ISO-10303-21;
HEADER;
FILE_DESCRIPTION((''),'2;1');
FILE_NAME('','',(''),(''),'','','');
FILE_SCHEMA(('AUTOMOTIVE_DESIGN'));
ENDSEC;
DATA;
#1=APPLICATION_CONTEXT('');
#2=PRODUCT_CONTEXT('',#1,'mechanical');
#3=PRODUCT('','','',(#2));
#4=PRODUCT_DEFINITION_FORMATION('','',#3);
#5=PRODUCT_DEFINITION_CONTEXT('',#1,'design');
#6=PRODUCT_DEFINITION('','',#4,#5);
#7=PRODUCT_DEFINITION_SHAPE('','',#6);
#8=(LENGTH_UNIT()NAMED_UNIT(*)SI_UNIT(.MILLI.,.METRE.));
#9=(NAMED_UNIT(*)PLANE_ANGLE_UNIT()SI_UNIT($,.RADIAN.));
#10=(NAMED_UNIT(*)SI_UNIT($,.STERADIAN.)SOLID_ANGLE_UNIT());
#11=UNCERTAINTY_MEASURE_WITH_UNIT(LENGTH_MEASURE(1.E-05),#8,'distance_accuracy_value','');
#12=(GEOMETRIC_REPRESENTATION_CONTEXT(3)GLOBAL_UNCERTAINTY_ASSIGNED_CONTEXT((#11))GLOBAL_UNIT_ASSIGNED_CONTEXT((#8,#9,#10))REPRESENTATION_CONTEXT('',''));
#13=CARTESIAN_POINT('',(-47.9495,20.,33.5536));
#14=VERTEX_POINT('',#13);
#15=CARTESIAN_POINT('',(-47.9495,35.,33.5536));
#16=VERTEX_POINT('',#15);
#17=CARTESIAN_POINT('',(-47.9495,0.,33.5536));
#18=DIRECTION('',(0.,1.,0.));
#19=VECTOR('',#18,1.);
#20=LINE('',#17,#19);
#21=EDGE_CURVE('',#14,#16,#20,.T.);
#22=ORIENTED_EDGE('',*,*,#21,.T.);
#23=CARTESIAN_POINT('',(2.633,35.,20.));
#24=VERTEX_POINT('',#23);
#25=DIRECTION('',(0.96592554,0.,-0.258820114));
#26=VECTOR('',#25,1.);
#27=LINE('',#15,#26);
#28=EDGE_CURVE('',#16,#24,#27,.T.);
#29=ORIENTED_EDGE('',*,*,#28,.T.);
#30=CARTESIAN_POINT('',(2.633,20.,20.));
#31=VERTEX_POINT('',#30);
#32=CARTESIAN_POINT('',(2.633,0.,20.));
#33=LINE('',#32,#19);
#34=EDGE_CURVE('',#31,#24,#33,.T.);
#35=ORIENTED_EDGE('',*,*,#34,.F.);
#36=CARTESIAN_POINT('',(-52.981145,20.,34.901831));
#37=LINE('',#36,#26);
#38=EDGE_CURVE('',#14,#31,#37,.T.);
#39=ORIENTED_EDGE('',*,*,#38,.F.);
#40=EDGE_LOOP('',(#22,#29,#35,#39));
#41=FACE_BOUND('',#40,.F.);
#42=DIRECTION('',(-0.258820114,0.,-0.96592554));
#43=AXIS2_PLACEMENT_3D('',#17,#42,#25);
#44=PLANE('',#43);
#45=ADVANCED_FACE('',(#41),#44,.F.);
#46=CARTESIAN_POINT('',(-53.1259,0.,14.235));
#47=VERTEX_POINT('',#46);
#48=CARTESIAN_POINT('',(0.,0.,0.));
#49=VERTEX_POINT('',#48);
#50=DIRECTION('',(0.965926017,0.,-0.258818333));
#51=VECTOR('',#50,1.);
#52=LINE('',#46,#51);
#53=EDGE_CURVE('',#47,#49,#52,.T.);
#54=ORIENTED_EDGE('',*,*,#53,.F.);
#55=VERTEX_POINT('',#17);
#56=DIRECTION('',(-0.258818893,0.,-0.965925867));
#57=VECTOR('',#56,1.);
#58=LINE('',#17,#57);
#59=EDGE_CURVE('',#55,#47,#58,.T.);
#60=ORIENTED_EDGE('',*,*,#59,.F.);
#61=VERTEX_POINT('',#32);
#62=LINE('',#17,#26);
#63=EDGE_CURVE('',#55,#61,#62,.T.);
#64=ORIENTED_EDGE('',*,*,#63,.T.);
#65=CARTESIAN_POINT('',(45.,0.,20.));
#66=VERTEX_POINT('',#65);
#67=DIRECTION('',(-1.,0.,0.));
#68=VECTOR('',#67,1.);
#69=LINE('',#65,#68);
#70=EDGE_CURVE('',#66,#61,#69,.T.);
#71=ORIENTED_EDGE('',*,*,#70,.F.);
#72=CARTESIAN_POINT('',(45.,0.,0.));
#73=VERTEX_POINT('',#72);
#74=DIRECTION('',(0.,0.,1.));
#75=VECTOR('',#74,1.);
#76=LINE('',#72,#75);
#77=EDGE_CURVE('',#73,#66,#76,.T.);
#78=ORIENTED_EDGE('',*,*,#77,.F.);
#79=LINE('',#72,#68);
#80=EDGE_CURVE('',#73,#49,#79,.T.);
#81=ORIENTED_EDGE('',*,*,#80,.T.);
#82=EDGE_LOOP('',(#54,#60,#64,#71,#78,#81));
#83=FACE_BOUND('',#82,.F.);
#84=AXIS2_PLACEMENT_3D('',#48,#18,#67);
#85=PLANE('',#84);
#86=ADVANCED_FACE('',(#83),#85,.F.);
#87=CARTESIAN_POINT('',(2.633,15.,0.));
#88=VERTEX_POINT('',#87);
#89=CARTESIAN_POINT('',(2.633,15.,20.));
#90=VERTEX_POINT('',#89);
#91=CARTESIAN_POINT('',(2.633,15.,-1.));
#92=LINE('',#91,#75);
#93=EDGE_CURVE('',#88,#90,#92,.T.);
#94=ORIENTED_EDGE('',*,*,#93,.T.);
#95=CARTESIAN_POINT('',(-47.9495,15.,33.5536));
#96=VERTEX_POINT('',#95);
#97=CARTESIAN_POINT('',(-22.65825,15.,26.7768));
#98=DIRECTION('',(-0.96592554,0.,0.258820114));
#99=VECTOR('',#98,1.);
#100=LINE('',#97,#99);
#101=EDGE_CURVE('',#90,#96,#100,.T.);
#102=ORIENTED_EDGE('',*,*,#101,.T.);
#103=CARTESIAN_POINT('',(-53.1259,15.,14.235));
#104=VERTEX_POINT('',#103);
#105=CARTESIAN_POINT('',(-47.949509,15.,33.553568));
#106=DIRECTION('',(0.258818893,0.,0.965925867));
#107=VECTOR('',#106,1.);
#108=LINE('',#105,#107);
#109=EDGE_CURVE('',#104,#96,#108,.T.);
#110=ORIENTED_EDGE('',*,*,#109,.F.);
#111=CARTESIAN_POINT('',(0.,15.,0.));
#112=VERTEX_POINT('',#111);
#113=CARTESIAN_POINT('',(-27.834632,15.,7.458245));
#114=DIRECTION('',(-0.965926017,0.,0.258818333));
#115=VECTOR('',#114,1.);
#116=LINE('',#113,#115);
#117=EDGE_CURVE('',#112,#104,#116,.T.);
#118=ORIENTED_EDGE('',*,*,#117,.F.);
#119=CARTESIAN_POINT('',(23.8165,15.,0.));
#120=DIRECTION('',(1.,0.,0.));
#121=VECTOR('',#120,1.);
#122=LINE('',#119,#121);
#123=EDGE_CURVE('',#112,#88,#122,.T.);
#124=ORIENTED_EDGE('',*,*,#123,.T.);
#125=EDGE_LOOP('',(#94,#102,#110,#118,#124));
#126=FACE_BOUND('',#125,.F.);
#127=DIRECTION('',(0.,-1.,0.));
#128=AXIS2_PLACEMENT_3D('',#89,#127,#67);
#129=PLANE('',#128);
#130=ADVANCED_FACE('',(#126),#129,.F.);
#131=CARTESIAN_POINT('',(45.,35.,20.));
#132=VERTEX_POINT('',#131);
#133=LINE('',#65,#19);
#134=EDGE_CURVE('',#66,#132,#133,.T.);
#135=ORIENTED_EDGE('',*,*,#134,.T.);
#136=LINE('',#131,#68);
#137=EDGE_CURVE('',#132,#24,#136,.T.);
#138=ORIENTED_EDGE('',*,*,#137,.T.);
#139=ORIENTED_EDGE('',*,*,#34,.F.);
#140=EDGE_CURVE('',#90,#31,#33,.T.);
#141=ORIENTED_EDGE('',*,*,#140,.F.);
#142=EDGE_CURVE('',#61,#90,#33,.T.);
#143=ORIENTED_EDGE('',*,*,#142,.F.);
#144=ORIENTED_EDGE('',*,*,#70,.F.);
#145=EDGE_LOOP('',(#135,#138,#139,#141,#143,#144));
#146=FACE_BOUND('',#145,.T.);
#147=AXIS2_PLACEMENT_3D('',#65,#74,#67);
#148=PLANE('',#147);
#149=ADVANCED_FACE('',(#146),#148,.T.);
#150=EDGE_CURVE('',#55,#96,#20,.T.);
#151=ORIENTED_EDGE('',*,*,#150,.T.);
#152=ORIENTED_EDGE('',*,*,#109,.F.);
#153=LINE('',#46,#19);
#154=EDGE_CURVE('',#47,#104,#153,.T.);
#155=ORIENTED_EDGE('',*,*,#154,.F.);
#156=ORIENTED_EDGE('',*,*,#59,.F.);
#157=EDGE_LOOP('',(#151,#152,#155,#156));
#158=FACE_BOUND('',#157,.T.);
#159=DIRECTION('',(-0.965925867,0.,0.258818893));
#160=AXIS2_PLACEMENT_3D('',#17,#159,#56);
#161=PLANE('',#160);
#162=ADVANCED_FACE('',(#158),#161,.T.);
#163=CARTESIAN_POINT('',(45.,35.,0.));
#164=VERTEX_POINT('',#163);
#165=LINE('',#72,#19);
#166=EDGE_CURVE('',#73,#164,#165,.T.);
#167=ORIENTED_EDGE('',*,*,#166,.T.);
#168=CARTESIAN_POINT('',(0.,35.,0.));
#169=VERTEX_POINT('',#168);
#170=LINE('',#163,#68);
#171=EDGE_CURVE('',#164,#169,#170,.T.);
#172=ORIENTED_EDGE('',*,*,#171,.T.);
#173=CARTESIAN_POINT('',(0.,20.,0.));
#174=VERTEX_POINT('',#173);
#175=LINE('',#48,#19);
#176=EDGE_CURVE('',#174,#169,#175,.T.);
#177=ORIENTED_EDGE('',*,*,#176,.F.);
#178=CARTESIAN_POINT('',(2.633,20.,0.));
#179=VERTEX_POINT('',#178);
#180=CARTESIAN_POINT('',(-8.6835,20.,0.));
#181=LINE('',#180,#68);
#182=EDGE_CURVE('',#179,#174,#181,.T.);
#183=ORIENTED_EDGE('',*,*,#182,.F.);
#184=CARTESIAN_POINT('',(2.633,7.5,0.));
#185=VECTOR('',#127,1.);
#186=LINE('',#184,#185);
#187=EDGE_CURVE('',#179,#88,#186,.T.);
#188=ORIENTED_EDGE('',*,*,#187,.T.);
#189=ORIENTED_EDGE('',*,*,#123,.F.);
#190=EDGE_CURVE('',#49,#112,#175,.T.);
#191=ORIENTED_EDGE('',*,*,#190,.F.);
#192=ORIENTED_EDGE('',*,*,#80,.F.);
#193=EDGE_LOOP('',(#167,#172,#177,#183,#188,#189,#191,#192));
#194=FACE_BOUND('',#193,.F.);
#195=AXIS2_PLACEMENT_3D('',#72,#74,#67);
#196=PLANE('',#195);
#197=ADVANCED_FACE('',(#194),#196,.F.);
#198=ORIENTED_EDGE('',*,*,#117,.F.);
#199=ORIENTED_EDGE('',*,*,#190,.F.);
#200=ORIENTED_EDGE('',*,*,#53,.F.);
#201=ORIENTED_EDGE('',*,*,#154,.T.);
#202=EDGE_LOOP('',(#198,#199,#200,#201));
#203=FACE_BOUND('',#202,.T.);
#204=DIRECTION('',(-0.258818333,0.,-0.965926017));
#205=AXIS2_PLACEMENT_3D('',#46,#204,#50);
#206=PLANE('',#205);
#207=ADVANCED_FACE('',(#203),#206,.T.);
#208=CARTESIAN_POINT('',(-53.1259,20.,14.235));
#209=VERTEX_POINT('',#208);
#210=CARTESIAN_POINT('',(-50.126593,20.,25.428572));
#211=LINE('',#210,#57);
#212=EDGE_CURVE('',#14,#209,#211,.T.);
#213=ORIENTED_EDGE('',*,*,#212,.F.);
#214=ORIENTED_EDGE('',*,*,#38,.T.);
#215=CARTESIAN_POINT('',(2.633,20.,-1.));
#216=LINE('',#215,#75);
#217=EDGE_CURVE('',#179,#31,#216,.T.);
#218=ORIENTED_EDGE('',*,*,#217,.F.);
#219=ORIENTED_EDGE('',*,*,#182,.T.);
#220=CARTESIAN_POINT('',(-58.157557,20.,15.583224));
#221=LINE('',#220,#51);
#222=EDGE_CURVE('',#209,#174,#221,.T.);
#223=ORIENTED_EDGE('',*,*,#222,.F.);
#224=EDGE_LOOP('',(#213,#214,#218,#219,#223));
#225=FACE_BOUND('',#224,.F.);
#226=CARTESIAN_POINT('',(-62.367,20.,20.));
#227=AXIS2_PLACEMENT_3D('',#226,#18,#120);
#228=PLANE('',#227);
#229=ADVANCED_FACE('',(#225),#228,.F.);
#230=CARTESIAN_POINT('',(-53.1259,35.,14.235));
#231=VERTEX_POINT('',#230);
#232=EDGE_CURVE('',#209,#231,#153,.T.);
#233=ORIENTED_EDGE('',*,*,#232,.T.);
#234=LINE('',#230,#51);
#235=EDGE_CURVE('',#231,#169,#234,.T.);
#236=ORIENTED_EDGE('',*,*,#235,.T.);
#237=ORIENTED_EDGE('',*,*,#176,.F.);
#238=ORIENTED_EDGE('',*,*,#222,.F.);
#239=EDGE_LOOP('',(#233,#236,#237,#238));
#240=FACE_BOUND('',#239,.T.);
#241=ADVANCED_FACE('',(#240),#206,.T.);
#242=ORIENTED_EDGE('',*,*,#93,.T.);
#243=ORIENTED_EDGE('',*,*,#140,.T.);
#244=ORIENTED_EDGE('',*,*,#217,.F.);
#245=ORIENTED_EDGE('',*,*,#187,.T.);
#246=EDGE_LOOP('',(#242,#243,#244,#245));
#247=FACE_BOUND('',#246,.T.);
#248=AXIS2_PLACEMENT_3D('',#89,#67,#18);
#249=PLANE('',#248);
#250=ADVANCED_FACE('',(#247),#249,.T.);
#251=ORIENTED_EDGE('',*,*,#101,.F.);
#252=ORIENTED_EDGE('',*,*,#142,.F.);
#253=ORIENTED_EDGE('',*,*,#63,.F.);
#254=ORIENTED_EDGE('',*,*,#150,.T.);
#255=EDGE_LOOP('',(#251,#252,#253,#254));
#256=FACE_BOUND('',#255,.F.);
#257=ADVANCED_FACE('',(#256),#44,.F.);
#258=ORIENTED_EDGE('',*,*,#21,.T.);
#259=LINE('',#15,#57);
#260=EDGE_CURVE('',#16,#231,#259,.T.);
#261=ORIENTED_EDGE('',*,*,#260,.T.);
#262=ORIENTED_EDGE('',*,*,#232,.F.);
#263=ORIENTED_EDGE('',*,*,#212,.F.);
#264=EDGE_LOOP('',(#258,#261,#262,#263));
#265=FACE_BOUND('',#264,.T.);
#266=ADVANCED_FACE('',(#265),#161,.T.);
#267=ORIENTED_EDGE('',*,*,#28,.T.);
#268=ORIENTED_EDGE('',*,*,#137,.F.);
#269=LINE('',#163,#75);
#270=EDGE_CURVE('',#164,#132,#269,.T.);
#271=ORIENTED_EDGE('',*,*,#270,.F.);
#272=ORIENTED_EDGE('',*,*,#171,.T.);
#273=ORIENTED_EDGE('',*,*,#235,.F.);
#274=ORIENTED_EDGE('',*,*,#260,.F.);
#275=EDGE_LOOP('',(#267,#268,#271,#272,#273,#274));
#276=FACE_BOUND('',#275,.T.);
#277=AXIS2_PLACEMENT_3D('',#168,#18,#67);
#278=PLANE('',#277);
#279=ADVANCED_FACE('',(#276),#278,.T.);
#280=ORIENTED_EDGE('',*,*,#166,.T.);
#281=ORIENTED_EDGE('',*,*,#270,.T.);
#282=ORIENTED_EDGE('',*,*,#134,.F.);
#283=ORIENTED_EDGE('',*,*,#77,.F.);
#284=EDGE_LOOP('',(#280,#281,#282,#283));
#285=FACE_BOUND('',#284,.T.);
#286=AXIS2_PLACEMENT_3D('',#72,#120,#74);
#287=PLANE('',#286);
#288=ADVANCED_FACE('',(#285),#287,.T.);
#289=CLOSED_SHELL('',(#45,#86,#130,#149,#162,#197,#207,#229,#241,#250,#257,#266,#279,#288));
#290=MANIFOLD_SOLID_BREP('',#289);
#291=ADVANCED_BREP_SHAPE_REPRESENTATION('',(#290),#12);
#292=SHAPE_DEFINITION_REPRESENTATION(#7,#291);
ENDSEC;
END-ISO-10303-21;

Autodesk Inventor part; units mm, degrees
ref_plane "YZ Plane" through (0, 0, 0) normal (1, 0, 0) x (0, 1, 0)
ref_plane "XZ Plane" through (0, 0, 0) normal (0, 1, 0) x (-1, 0, 0)
ref_plane "XY Plane" through (0, 0, 0) normal (0, 0, 1) x (1, 0, 0)
sketch "Esquisse1" plane through (0, 0, 0) normal (0, 1, 0) x (-1, 0, 0)
  line L0 (53.1259, 14.235) -> (0, 0)
  line L1 (47.9495, 33.5536) -> (53.1259, 14.235)
  line L2 (-45, 0) -> (-45, 20)
  line L3 (-45, 0) -> (0, 0)
  line L4 (-45, 20) -> (-2.633, 20)
  line L5 (47.9495, 33.5536) -> (-2.633, 20)
  dimension "d1" = 20
  dimension "d4" = 20
  dimension "d7" = 45
  dimension "d9" = 55
  dimension "d11" = 15
extrude "Extrusion1" add sketch "Esquisse1" along normal blind 35
sketch "Esquisse3" plane through (2.633, 0, 20) normal (0, 0, 1) x (1, 0, 0)
  line L0 (0, 0) -> (0, 35) projected
  line L1 (-65, 20) -> (0, 20)
  line L2 (0, 20) -> (0, 15)
  line L3 (0, 15) -> (-65, 15)
  line L4 (-65, 15) -> (-65, 20)
  line L5 (-2.633, 35) -> (-55.759, 35) projected
  point P0 (-2.633, 0)
  point P1 (0, 20)
  dimension "d14" = 5
  dimension "d15" = 65
  dimension "d16" = 15
extrude "Extrusion2" cut sketch "Esquisse3" along normal through all both and the other way through all
equation "\"d1\" = d4"
properties part number "Equerre_gauche"
